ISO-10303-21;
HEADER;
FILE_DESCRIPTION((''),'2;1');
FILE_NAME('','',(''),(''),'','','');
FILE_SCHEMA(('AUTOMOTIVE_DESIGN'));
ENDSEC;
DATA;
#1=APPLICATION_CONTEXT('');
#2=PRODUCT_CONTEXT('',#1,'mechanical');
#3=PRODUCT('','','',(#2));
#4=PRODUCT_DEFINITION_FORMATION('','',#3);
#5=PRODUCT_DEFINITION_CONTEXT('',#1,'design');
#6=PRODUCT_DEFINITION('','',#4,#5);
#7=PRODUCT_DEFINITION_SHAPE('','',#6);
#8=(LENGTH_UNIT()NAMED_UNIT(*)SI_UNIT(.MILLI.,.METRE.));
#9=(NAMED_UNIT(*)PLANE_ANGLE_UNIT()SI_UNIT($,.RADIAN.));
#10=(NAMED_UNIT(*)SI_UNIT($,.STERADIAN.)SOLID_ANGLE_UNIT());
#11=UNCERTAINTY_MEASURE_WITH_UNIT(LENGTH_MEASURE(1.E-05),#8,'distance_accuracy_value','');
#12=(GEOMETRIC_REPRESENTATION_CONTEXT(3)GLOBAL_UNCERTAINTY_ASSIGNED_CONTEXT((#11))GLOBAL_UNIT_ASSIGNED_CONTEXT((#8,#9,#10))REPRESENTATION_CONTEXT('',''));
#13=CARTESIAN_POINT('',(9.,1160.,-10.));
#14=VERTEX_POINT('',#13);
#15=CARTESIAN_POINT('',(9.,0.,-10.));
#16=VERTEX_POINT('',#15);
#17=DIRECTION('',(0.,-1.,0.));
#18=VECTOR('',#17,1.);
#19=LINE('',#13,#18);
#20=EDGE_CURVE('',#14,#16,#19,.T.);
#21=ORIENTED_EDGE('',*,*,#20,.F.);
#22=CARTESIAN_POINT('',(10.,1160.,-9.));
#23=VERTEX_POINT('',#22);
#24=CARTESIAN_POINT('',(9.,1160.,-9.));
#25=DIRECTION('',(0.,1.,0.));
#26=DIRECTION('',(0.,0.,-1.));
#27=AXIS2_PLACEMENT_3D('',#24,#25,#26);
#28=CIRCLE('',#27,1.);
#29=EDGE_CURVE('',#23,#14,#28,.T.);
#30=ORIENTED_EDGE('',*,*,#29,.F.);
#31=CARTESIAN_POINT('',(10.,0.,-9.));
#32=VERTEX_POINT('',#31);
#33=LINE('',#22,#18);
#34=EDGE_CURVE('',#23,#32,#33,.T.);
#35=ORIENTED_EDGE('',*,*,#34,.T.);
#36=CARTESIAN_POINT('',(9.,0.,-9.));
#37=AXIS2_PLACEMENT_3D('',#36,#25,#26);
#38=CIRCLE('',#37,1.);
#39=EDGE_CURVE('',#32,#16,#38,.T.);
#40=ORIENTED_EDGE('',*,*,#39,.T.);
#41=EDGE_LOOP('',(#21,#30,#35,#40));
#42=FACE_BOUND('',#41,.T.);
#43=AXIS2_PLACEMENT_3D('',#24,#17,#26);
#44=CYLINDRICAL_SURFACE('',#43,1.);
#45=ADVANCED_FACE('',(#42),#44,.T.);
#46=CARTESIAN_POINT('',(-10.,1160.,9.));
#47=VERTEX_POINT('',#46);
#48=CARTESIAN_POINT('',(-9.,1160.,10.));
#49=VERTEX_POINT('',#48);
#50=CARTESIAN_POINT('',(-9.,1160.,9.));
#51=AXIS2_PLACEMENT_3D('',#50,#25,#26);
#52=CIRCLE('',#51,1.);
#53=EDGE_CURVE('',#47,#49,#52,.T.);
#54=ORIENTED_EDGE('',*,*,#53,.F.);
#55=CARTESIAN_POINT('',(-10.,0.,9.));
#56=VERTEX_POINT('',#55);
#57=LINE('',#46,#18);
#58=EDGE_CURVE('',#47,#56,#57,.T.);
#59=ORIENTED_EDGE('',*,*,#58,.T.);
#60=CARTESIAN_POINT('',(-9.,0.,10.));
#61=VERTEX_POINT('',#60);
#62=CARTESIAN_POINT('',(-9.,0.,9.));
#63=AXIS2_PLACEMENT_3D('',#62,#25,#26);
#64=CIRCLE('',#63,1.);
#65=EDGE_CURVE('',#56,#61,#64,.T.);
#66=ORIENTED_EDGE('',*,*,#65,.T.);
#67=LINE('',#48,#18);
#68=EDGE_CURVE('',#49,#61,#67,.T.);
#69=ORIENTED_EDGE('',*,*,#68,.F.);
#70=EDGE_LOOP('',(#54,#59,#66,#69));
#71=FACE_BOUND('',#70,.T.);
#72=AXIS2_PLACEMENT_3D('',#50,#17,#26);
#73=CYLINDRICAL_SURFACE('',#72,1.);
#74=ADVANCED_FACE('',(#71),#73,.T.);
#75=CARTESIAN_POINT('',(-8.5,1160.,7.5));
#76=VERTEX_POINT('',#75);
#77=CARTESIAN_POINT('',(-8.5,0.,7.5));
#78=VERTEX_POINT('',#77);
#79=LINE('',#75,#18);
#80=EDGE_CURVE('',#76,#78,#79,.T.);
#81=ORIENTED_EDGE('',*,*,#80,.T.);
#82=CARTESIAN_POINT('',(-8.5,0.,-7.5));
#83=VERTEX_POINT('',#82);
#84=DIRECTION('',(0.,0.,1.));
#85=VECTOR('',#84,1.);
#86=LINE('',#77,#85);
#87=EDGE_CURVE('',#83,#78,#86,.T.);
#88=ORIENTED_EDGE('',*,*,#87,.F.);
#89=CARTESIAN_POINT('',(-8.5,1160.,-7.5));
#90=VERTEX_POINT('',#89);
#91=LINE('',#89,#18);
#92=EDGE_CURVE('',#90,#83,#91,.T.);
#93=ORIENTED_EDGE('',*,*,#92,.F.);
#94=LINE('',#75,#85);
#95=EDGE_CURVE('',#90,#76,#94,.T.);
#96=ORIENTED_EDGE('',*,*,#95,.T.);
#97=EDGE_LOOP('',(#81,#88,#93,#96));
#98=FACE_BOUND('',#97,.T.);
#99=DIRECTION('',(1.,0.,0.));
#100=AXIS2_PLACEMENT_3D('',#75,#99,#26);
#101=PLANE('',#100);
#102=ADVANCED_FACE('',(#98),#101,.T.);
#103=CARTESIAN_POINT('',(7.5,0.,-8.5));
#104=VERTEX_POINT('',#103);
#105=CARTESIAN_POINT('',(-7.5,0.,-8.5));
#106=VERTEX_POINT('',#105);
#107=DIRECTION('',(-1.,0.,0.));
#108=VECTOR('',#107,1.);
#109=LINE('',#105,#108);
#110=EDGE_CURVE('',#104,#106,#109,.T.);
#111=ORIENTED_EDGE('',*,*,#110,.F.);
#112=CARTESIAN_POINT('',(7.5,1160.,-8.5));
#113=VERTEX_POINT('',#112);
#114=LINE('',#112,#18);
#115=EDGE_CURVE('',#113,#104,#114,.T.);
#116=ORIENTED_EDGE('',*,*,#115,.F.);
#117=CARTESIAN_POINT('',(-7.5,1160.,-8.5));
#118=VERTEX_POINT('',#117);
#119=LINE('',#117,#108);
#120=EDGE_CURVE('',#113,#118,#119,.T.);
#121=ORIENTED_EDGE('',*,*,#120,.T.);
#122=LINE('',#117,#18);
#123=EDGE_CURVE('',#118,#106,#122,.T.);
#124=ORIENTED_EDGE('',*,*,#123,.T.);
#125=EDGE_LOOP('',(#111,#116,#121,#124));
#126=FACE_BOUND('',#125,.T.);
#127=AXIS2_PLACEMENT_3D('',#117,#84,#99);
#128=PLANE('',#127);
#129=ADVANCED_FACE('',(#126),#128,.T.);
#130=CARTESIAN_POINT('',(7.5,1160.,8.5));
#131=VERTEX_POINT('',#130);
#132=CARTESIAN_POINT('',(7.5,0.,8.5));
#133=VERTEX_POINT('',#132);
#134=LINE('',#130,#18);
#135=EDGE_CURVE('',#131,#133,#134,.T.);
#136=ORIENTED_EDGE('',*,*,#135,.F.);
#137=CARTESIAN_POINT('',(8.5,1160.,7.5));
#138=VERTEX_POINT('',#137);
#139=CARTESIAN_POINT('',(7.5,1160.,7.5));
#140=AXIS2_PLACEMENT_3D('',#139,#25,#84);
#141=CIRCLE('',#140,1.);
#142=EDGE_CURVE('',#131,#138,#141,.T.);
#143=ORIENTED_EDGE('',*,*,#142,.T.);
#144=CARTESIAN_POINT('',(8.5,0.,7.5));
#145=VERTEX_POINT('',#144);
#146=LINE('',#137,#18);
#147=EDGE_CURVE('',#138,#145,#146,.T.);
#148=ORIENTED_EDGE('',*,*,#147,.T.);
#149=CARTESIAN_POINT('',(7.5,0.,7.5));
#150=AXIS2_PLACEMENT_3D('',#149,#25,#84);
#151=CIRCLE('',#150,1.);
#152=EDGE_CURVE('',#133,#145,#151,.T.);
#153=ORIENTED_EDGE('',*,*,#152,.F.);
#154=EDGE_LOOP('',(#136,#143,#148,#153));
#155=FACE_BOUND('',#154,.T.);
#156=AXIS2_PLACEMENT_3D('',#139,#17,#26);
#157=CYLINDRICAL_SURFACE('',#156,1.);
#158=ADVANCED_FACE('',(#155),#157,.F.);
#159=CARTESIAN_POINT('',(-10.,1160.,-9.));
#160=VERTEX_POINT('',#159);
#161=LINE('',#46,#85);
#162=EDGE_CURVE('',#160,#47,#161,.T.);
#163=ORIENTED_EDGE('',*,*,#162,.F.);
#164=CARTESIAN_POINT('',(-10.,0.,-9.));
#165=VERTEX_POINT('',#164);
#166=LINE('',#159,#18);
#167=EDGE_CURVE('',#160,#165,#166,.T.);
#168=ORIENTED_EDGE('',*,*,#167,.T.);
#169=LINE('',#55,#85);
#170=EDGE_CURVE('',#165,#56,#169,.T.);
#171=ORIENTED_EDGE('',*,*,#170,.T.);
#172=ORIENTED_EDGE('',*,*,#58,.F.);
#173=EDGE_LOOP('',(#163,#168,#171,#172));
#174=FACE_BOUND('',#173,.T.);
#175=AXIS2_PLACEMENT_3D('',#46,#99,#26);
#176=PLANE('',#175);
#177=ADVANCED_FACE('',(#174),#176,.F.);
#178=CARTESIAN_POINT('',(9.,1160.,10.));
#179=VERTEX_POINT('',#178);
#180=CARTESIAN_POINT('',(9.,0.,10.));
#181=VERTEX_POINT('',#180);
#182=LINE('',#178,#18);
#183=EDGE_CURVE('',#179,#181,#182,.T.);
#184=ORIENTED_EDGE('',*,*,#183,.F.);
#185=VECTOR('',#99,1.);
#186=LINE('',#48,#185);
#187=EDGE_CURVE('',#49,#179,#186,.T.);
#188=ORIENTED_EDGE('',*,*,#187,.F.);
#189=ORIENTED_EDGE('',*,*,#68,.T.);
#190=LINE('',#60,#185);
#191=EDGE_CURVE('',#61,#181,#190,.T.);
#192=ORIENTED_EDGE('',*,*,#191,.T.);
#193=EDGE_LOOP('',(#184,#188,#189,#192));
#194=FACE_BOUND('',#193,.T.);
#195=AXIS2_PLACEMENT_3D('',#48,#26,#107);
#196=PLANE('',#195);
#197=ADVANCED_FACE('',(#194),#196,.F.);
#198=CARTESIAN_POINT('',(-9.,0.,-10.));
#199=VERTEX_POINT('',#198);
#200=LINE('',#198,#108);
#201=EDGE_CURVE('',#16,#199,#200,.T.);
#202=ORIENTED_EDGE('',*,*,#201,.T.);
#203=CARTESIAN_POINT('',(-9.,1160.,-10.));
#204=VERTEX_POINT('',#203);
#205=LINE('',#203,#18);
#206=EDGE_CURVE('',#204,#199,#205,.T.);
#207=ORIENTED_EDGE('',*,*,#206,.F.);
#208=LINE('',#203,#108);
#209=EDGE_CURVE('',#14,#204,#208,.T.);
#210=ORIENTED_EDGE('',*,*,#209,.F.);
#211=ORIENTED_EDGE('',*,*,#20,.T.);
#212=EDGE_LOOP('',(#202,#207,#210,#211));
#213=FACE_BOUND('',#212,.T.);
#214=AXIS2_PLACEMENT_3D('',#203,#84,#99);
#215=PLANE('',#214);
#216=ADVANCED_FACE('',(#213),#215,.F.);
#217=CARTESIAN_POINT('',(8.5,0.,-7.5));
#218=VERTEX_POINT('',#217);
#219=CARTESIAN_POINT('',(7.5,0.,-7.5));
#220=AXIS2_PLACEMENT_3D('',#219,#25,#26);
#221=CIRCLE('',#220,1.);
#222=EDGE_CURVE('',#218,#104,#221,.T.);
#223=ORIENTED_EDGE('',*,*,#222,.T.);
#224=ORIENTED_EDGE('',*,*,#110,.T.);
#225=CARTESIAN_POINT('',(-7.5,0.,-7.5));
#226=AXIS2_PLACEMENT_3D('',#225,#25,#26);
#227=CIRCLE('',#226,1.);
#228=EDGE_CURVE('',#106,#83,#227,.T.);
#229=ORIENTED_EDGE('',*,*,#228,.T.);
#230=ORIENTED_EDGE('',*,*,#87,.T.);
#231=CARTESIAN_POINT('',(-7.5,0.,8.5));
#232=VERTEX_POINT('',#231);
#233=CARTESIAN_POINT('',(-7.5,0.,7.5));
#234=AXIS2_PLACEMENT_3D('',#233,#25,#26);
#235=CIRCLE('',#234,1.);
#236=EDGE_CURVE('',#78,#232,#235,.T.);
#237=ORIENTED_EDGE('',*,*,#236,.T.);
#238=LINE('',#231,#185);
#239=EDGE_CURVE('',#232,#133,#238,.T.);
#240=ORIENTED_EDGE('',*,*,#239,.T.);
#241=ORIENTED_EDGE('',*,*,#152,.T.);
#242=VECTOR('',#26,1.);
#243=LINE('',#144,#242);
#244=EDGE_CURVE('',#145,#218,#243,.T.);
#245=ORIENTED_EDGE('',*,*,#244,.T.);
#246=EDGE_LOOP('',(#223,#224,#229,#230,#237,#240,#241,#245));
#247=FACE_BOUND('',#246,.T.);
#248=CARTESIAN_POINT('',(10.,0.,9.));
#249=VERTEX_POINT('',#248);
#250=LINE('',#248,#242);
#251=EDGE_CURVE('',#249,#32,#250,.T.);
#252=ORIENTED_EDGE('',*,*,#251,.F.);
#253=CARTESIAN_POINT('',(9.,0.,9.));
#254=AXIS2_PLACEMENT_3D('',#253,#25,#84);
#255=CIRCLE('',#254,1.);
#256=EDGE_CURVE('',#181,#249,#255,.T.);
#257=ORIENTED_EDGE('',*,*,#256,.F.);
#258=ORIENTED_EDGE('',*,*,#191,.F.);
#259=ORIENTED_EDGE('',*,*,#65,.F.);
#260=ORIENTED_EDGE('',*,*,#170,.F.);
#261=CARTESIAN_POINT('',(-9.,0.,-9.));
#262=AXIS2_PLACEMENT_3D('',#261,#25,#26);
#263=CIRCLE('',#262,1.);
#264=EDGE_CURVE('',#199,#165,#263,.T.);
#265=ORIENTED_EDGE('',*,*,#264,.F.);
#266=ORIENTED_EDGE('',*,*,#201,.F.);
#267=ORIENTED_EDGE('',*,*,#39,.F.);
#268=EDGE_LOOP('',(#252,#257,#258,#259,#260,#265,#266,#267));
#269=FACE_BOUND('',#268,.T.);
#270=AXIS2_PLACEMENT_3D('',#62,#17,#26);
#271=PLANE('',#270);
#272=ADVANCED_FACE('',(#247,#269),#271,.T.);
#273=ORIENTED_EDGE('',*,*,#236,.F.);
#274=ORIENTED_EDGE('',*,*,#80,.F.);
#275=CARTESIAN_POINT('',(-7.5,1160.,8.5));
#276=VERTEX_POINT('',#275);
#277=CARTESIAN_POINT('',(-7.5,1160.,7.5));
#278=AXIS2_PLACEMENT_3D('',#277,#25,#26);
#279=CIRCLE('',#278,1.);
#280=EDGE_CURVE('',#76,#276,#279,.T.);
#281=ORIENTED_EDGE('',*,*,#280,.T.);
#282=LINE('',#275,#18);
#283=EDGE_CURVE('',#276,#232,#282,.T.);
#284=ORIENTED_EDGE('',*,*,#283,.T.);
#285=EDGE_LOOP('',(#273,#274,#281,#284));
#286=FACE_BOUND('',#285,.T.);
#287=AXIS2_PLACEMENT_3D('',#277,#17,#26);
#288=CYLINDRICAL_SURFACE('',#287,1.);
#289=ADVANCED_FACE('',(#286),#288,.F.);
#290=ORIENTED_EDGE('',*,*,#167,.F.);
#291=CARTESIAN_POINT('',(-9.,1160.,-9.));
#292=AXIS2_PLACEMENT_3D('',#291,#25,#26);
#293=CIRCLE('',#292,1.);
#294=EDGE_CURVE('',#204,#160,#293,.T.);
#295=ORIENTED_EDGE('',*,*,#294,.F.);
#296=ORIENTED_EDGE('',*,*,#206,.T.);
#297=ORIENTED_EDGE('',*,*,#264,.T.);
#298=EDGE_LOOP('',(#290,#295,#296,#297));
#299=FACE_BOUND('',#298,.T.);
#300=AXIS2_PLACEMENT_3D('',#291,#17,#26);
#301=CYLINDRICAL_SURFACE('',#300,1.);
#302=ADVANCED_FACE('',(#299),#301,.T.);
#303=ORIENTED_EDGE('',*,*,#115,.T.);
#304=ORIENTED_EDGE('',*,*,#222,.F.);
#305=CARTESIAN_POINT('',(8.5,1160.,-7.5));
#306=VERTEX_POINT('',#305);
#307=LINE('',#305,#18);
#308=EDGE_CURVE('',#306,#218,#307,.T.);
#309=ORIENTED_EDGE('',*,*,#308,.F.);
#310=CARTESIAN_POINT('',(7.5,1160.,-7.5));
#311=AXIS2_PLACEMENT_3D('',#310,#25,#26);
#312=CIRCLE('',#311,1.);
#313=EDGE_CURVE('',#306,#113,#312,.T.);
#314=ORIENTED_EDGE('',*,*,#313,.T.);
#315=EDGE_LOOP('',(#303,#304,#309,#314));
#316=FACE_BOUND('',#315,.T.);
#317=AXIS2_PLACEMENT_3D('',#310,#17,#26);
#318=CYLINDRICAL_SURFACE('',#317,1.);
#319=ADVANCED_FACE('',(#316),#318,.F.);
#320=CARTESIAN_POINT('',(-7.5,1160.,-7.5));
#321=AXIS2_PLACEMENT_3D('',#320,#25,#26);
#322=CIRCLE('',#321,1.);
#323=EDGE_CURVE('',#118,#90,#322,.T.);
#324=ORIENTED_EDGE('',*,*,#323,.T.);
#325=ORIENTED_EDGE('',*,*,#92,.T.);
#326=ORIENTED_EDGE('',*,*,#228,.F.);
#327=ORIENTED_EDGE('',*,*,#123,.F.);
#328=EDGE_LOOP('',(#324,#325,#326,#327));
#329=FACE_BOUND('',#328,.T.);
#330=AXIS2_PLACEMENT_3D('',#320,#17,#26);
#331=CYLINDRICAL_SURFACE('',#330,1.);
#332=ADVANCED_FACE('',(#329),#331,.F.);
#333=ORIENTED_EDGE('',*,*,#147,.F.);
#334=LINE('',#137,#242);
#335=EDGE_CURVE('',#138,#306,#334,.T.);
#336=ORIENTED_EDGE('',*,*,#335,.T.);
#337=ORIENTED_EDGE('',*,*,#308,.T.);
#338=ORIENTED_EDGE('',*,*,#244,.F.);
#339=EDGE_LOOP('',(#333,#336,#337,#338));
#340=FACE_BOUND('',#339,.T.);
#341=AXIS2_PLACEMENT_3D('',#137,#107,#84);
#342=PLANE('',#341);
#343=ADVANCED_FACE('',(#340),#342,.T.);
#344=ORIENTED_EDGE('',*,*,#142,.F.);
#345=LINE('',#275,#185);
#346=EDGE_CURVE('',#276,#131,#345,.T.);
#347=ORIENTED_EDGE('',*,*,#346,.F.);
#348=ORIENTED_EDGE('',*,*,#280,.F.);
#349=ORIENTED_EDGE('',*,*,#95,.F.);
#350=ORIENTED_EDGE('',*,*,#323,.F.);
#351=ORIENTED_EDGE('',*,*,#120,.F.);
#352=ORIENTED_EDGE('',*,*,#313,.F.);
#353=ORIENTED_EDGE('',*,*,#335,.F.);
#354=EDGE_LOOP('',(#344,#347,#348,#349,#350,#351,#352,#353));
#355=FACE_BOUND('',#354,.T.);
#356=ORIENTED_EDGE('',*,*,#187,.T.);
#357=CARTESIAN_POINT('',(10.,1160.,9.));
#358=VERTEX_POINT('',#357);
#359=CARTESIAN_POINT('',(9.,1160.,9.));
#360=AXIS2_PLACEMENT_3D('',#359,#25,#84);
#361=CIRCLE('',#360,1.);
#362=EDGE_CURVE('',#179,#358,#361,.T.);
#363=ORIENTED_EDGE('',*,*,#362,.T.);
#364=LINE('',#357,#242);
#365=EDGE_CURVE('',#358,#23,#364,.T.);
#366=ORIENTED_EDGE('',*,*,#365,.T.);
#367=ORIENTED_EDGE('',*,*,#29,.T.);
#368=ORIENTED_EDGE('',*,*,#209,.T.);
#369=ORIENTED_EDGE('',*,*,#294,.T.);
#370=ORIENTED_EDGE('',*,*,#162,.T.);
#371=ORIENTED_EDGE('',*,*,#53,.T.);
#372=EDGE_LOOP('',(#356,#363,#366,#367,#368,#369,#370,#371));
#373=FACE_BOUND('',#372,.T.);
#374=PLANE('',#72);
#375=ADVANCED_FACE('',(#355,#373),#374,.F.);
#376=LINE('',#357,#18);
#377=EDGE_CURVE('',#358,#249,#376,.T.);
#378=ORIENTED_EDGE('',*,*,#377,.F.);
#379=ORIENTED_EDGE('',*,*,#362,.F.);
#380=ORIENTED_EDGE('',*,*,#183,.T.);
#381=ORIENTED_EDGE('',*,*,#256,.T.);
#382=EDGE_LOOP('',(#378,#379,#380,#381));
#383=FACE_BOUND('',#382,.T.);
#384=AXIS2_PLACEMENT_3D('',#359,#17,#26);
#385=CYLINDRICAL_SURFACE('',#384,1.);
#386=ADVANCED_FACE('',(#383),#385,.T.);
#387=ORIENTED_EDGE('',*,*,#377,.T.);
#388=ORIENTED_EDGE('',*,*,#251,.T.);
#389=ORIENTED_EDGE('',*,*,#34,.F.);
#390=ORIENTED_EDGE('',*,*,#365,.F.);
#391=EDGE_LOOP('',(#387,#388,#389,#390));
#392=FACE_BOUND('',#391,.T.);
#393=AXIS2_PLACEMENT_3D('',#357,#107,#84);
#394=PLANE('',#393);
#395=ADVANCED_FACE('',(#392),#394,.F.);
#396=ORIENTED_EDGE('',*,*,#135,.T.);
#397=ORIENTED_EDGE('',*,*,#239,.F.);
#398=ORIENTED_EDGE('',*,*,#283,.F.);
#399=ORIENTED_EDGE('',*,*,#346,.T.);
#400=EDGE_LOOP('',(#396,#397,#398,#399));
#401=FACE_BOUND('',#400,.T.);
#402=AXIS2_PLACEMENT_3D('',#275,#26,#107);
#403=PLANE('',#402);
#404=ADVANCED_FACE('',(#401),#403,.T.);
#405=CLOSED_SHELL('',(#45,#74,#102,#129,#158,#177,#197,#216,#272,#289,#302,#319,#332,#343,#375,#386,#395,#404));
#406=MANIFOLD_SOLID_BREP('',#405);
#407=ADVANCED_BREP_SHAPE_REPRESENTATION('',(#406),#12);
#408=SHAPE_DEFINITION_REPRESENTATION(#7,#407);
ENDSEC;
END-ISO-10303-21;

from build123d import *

# Parameters (mm, degrees)
BOSS_EXTRUDE1_DEPTH = 1160


with BuildPart() as part:
    # Sketch1 → Boss-Extrude1 (new body)
    with BuildSketch(Plane(origin=(0, 0, 0), x_dir=(1, 0, 0), z_dir=(0, 1, 0))):
        with BuildLine():
            Line((-9, -10), (9, -10))
            ThreePointArc((9, -10), (9.707106781, -9.707106781), (10, -9))
            Line((10, -9), (10, 9))
            ThreePointArc((10, 9), (9.707106781, 9.707106781), (9, 10))
            Line((9, 10), (-9, 10))
            ThreePointArc((-9, 10), (-9.707106781, 9.707106781), (-10, 9))
            Line((-10, 9), (-10, -9))
            ThreePointArc((-10, -9), (-9.707106781, -9.707106781), (-9, -10))
        make_face()
        with BuildLine():
            Line((-7.5, -8.5), (7.5, -8.5))
            ThreePointArc((7.5, -8.5), (8.207106781, -8.207106781), (8.5, -7.5))
            Line((8.5, -7.5), (8.5, 7.5))
            ThreePointArc((8.5, 7.5), (8.207106781, 8.207106781), (7.5, 8.5))
            Line((7.5, 8.5), (-7.5, 8.5))
            ThreePointArc((-7.5, 8.5), (-8.207106781, 8.207106781), (-8.5, 7.5))
            Line((-8.5, 7.5), (-8.5, -7.5))
            ThreePointArc((-8.5, -7.5), (-8.207106781, -8.207106781), (-7.5, -8.5))
        make_face(mode=Mode.SUBTRACT)
    extrude(amount=BOSS_EXTRUDE1_DEPTH)


solid = part.part
